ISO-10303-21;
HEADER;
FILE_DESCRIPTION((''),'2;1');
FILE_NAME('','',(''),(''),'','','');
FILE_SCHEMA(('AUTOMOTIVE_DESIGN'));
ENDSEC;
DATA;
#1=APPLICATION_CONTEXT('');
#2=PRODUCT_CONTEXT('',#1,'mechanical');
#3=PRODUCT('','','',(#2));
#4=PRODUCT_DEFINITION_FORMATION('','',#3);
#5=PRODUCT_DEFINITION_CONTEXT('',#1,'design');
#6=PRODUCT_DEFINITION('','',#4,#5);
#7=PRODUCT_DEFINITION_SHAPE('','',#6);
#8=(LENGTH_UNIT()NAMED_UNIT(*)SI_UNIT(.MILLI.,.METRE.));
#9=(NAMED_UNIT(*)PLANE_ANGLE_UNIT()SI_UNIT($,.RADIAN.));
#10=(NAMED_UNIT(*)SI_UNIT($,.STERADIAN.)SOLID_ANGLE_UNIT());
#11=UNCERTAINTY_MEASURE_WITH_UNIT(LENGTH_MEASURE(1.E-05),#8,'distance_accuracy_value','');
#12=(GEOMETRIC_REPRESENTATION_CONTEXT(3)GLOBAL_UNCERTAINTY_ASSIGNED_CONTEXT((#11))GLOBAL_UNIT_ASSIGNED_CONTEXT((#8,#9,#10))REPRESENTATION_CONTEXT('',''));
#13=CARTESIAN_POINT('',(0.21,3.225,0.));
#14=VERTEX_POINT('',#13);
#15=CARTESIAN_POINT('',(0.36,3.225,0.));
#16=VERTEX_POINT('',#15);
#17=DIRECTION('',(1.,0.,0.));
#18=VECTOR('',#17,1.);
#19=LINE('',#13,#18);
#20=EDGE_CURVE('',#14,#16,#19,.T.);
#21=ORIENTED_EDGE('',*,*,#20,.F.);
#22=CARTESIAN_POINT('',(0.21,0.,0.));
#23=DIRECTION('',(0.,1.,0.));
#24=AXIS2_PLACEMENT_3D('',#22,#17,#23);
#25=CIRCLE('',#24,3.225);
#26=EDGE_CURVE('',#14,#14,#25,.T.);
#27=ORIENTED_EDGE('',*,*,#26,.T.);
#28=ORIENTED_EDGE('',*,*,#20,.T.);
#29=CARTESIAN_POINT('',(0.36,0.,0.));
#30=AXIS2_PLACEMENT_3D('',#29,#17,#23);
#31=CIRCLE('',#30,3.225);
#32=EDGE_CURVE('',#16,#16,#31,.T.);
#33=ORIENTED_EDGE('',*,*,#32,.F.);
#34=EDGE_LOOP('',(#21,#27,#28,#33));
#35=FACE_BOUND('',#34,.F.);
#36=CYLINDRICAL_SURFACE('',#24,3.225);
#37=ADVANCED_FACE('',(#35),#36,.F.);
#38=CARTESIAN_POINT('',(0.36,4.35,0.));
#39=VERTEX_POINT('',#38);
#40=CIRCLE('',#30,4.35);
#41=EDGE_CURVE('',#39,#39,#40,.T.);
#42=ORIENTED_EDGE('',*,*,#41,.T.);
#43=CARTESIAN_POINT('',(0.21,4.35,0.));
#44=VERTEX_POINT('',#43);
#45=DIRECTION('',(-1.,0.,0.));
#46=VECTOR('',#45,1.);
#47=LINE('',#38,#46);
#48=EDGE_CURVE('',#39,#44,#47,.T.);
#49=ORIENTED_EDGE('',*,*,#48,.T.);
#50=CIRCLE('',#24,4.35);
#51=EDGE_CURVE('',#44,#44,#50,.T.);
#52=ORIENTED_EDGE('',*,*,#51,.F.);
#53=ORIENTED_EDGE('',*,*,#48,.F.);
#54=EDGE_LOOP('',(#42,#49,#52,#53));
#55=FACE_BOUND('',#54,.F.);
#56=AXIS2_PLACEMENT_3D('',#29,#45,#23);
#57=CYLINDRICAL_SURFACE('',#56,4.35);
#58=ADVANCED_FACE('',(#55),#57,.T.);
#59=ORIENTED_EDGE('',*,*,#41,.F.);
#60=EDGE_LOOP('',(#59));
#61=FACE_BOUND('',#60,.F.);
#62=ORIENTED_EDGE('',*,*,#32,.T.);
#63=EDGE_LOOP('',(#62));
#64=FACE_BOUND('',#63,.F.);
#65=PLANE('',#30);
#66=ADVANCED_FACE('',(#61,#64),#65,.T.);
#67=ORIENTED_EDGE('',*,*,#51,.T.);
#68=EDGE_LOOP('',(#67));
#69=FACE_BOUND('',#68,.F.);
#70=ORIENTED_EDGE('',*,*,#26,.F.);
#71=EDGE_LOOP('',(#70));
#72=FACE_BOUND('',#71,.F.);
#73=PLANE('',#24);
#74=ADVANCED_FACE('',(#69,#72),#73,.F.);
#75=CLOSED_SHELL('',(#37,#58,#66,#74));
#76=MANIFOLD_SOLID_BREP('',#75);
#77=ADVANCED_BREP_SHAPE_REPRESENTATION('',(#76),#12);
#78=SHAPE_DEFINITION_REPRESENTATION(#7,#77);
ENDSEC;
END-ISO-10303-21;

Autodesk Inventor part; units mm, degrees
sketch "Sketch_1" plane through (0, 0, 0) normal (0, 0, 1) x (1, 0, 0)
  line L0 (0.36, 0) -> (0.21, 0)
  line L1 (0.21, 3.225) -> (0.36, 3.225)
  line L2 (0.36, 3.225) -> (0.36, 4.35)
  line L3 (0.36, 4.35) -> (0.21, 4.35)
  line L4 (0.21, 4.35) -> (0.21, 3.225)
revolve "Revolution1" add sketch "Sketch_1" angle 360 about axis through (0.36, 0, 0) along (1, 0, 0)
ref_plane "ring_XY" through (0, 0, 0) normal (1, 0, 0) x (0, 0, -1)
ref_plane "ring_YZ" through (0, 0, 0) normal (0, 0, -1) x (0, 1, 0)
ref_plane "ring_ZX" through (0, 0, 0) normal (0, 1, 0) x (1, 0, 0)
properties part number "WML5010ZZ Shield"
